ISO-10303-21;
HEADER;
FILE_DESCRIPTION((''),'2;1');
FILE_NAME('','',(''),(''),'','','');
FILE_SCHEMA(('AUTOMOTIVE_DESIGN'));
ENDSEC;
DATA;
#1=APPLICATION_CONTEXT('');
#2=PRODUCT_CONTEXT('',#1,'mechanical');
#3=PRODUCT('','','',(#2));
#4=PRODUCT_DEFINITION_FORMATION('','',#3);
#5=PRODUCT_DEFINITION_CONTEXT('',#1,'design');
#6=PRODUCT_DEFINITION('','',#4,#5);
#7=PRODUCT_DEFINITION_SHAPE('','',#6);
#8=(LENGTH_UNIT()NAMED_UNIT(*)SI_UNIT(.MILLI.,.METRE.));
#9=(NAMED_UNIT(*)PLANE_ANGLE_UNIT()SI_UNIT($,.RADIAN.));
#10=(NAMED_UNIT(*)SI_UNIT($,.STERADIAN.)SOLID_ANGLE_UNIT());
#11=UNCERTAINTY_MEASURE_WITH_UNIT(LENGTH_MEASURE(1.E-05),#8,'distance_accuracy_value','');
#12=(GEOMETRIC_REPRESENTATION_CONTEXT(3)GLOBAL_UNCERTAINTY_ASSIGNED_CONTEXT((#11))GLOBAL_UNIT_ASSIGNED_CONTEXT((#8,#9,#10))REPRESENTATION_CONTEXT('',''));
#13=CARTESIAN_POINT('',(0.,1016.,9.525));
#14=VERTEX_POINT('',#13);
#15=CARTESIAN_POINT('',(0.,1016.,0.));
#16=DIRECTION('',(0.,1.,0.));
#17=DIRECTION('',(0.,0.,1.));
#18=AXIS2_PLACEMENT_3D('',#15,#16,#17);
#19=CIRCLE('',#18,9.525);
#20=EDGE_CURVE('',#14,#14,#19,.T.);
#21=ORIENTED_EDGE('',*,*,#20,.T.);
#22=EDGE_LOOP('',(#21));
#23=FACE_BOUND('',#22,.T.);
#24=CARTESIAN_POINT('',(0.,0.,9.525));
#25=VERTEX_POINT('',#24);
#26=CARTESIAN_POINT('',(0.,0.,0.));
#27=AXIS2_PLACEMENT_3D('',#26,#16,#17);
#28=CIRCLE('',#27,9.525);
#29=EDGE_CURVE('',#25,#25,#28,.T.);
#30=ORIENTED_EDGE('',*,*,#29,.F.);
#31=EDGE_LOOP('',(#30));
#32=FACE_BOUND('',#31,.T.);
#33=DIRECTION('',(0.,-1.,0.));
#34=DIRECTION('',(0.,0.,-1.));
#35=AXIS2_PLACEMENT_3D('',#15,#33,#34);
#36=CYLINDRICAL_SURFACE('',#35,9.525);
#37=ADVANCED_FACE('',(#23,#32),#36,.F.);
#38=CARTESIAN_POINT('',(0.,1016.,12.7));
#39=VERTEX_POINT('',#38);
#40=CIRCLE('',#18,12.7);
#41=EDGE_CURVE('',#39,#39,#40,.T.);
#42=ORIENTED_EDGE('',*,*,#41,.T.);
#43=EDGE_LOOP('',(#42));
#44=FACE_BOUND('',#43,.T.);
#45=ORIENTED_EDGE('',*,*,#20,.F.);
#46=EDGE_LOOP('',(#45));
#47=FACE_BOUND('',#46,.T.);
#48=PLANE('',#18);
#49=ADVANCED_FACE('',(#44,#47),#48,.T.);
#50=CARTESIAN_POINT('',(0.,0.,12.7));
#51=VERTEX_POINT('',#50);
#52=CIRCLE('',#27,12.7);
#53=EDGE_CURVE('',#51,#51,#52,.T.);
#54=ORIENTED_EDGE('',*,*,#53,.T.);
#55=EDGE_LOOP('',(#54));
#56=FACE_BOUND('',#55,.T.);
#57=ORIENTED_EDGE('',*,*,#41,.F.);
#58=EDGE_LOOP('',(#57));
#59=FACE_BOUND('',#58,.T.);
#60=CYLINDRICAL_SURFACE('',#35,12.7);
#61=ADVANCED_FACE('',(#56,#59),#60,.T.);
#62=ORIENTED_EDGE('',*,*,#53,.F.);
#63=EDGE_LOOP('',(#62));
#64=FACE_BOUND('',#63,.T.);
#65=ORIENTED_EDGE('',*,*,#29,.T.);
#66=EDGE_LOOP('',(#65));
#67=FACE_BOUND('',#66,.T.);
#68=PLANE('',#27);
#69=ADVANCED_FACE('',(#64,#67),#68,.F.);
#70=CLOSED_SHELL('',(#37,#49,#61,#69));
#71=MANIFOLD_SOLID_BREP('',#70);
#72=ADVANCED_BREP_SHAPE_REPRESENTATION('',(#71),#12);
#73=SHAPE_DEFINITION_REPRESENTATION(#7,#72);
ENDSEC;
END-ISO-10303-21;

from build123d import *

# Parameters (mm, degrees)
SKETCH3_R           = 12.7
BOSS_EXTRUDE1_DEPTH = 1016
SHELL1_T            = -3.175


with BuildPart() as part:
    # Sketch3 → Boss-Extrude1 (new body)
    with BuildSketch(Plane(origin=(0, 0, 0), x_dir=(1, 0, 0), z_dir=(0, 1, 0))):
        with Locations(Location((0, 0, 0), (0, 0, 270))):
            Circle(SKETCH3_R)
    extrude(amount=BOSS_EXTRUDE1_DEPTH)

    # Shell1
    shell1_openings = [part.faces().sort_by_distance(p)[0] for p in [
        (0, 1016, 0),
        (0, 0, 0),
    ]]
    offset(amount=SHELL1_T, openings=shell1_openings, kind=Kind.INTERSECTION)


solid = part.part
